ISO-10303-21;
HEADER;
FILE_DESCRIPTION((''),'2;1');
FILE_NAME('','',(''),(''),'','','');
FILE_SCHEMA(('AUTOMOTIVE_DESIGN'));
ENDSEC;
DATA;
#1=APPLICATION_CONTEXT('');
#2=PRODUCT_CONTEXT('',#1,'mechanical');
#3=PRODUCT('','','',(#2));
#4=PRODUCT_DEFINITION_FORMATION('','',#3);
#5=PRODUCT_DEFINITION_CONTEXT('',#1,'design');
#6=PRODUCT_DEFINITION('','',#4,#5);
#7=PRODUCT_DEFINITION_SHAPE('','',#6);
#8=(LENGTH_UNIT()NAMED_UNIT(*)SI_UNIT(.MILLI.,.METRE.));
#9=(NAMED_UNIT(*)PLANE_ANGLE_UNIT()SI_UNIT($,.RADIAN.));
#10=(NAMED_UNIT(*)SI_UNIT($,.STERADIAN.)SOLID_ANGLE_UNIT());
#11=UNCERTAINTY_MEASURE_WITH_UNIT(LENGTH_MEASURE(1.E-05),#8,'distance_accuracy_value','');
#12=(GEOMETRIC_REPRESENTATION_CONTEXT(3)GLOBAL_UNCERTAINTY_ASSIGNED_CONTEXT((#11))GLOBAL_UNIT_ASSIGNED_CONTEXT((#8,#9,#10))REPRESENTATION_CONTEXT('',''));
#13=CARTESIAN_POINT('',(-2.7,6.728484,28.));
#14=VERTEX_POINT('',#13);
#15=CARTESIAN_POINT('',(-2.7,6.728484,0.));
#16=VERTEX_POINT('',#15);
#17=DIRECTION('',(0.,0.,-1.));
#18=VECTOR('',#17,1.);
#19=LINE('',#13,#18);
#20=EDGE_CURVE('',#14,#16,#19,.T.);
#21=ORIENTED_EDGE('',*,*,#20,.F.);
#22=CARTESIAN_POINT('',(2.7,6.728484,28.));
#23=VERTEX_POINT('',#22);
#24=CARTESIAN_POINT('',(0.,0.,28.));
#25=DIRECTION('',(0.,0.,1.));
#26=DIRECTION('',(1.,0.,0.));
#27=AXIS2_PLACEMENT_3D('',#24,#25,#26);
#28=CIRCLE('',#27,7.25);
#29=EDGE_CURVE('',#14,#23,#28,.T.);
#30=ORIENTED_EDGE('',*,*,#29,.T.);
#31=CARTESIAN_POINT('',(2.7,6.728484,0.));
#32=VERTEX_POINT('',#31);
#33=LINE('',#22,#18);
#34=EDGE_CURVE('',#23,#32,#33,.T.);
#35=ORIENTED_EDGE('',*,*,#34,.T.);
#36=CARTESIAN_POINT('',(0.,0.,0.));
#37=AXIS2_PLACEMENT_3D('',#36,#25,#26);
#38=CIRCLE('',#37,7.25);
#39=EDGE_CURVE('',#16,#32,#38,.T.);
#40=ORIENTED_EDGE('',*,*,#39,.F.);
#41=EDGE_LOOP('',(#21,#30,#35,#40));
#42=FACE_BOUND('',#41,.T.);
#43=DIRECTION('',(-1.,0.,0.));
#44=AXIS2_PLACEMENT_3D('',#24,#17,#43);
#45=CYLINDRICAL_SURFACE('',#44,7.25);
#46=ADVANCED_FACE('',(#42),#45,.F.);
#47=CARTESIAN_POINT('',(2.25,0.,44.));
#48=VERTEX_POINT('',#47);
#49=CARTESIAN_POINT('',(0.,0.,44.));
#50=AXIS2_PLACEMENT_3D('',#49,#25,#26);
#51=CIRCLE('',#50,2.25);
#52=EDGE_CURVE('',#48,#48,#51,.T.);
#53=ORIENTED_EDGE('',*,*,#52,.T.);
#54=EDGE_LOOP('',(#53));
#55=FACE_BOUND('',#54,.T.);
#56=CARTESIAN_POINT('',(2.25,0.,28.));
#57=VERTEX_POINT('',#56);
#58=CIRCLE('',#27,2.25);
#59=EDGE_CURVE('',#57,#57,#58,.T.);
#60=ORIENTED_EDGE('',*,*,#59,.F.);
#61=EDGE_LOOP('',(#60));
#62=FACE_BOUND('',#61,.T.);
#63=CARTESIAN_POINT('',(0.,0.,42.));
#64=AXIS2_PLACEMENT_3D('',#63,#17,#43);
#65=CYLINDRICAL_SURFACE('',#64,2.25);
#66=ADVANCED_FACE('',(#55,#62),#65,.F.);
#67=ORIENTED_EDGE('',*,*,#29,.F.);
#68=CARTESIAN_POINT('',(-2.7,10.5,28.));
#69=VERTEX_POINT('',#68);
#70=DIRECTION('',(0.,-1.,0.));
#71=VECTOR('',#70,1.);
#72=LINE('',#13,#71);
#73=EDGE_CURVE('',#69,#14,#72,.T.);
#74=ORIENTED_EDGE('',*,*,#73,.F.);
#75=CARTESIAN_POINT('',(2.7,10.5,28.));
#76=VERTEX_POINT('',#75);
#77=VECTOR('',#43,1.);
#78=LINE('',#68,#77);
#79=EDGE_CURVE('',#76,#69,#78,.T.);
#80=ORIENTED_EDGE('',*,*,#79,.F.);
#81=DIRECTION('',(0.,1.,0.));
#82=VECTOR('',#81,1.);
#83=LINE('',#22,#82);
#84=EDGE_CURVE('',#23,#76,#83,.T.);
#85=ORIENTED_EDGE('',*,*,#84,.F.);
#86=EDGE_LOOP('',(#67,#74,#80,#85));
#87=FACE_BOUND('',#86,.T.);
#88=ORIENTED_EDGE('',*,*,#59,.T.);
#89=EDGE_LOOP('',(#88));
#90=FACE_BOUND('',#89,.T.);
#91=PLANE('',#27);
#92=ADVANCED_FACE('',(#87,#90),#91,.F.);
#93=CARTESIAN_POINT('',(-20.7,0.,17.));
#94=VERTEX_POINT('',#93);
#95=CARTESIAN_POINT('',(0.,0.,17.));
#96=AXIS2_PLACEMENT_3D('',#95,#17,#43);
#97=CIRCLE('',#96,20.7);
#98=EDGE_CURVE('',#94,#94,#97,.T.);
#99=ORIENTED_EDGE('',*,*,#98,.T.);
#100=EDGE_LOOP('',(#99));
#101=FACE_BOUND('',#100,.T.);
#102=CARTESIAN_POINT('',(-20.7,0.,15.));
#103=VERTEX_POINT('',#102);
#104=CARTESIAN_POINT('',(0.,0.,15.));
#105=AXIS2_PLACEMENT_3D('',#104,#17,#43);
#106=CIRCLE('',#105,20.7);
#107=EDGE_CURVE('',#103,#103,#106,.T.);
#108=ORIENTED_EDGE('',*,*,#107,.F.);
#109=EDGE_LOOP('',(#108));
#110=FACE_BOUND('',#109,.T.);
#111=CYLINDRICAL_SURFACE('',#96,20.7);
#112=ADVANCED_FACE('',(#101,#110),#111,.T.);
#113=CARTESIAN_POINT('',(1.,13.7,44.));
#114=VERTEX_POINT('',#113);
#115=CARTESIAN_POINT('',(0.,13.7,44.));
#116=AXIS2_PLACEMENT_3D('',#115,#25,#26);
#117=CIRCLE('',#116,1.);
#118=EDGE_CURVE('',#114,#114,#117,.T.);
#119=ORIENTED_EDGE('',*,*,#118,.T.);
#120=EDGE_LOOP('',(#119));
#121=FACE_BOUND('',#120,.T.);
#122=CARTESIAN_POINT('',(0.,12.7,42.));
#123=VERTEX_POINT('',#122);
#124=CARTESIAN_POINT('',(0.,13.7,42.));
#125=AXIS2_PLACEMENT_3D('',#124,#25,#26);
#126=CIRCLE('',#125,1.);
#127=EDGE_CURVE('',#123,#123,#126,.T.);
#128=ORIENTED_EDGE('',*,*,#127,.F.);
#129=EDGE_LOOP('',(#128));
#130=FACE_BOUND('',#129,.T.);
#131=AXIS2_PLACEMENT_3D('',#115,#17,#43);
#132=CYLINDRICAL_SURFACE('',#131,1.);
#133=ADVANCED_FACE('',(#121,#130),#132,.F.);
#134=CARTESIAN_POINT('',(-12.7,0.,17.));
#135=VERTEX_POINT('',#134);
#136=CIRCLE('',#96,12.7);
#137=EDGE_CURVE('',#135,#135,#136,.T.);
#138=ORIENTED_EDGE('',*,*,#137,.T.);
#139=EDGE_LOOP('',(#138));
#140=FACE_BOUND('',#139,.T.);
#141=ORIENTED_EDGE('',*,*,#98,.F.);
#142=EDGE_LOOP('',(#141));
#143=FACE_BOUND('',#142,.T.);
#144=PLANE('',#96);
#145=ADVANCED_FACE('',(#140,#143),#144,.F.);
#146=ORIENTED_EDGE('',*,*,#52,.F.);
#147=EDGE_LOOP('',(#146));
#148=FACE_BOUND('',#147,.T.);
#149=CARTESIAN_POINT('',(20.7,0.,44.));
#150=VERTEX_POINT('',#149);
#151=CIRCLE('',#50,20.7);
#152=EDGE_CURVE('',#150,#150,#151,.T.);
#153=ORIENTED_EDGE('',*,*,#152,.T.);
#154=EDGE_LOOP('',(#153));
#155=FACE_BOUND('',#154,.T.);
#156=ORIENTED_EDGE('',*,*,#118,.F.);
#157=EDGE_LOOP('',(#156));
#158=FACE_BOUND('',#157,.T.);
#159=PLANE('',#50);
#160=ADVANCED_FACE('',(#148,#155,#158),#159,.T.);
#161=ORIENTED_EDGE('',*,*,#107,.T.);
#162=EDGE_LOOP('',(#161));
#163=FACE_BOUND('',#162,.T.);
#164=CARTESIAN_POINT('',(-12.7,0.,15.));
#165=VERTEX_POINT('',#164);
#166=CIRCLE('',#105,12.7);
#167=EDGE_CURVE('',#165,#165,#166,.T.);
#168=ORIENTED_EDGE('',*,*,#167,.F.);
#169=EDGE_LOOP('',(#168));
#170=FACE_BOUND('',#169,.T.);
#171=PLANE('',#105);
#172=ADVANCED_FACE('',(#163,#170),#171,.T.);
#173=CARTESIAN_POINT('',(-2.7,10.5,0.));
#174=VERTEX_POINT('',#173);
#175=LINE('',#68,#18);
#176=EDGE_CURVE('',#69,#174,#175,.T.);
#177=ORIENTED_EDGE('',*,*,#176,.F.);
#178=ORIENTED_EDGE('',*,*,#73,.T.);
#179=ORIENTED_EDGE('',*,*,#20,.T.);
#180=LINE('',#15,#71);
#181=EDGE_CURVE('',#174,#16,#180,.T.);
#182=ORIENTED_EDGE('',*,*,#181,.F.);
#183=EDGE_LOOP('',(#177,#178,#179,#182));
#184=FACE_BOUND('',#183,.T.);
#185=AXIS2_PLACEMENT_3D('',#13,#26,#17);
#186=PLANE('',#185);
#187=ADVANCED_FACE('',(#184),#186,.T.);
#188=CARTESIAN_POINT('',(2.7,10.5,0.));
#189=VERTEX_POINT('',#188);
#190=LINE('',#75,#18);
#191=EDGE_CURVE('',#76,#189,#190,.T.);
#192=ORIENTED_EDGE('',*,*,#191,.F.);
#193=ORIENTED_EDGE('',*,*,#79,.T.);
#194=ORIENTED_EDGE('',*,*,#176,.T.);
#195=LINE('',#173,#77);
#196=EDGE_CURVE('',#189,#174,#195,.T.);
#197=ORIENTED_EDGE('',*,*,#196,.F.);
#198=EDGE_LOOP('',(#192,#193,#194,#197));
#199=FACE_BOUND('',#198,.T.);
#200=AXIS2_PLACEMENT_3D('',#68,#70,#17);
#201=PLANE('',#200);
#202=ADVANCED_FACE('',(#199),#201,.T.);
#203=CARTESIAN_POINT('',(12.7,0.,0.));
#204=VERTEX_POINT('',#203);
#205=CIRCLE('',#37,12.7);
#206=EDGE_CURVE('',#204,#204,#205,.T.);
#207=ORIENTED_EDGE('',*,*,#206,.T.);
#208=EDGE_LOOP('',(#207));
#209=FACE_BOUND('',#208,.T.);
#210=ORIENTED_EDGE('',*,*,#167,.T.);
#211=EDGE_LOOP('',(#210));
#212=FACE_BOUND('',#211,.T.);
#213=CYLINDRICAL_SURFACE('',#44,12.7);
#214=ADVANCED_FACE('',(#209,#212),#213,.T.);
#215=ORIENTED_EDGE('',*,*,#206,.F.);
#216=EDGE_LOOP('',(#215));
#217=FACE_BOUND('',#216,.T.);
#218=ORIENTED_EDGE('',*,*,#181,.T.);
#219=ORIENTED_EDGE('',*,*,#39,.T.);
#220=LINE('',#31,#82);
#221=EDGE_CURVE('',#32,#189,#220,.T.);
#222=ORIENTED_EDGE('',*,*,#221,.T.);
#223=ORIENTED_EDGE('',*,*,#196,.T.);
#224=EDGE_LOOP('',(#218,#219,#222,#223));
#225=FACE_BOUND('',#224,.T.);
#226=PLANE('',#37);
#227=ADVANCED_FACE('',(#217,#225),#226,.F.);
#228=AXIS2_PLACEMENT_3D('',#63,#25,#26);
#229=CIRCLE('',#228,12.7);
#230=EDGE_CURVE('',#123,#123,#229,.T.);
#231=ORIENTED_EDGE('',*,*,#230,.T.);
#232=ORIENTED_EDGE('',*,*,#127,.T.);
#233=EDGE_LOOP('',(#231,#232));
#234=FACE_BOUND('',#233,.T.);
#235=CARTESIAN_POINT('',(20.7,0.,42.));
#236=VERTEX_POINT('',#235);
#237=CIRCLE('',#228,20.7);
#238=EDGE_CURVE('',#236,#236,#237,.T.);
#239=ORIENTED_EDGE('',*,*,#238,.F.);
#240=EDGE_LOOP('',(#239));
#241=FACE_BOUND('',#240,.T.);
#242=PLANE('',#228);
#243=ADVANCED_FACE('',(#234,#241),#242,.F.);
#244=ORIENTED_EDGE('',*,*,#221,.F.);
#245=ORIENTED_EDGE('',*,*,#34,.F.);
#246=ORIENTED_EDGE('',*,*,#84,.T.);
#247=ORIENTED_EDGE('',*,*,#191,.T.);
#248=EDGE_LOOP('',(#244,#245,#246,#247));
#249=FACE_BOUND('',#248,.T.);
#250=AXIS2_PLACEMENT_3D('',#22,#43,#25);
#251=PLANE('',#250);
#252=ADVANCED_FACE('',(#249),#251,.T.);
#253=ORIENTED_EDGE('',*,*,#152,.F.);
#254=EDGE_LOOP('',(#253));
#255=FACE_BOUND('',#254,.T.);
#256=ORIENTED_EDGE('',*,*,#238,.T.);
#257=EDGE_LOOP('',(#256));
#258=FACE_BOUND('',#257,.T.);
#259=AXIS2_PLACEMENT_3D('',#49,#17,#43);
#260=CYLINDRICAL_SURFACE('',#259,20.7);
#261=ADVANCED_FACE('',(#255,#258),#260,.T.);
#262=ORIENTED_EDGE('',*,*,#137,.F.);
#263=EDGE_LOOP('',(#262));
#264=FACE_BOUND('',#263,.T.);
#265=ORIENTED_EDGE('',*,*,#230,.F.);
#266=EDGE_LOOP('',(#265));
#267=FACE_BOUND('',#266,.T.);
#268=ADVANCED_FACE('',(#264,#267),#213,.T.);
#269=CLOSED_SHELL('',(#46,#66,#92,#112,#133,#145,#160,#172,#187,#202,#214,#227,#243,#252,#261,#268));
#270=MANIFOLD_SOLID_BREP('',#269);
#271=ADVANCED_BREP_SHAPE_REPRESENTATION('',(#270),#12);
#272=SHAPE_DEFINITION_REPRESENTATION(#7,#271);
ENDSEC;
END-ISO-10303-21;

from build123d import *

# Parameters (mm, degrees)
SKETCH1_R           = 12.7
BOSS_EXTRUDE1_DEPTH = 28
SKETCH3_R           = 20.7
SKETCH3_R_2         = 12.7
BOSS_EXTRUDE2_DEPTH = 2
SKETCH4_R           = 12.7
SKETCH4_R_2         = 2.25
BOSS_EXTRUDE3_DEPTH = 14
SKETCH5_R           = 20.7
SKETCH5_R_2         = 2.25
SKETCH5_R_3         = 1
BOSS_EXTRUDE4_DEPTH = 2


with BuildPart() as part:
    # Sketch1 → Boss-Extrude1 (new body)
    with BuildSketch(Plane.XY):
        Circle(SKETCH1_R)
        with BuildLine():
            Line((-2.7, 6.728484228), (-2.7, 10.5))
            Line((-2.7, 10.5), (2.7, 10.5))
            Line((2.7, 10.5), (2.7, 6.728484228))
            ThreePointArc((2.7, 6.728484228), (0, -7.25), (-2.7, 6.728484228))
        make_face(mode=Mode.SUBTRACT)
    extrude(amount=BOSS_EXTRUDE1_DEPTH)

    # Sketch3 → Boss-Extrude2 (add)
    with BuildSketch(Plane(origin=(0, 0, 15), x_dir=(-1, 0, 0), z_dir=(0, 0, -1))):
        Circle(SKETCH3_R)
        Circle(SKETCH3_R_2, mode=Mode.SUBTRACT)
    extrude(amount=-BOSS_EXTRUDE2_DEPTH)

    # Sketch4 → Boss-Extrude3 (add)
    with BuildSketch(Plane.XY.offset(28)):
        with Locations(Location((0, 0, 0), (0, 0, 180))):
            Circle(SKETCH4_R)
        Circle(SKETCH4_R_2, mode=Mode.SUBTRACT)
    extrude(amount=BOSS_EXTRUDE3_DEPTH)

    # Sketch5 → Boss-Extrude4 (add)
    with BuildSketch(Plane.XY.offset(42)):
        with Locations(Location((0, 0, 0), (0, 0, 180))):
            Circle(SKETCH5_R)
        Circle(SKETCH5_R_2, mode=Mode.SUBTRACT)
        with Locations(Location((0, 13.7, 0), (0, 0, 269.999219862))):
            Circle(SKETCH5_R_3, mode=Mode.SUBTRACT)
    extrude(amount=BOSS_EXTRUDE4_DEPTH)


solid = part.part
